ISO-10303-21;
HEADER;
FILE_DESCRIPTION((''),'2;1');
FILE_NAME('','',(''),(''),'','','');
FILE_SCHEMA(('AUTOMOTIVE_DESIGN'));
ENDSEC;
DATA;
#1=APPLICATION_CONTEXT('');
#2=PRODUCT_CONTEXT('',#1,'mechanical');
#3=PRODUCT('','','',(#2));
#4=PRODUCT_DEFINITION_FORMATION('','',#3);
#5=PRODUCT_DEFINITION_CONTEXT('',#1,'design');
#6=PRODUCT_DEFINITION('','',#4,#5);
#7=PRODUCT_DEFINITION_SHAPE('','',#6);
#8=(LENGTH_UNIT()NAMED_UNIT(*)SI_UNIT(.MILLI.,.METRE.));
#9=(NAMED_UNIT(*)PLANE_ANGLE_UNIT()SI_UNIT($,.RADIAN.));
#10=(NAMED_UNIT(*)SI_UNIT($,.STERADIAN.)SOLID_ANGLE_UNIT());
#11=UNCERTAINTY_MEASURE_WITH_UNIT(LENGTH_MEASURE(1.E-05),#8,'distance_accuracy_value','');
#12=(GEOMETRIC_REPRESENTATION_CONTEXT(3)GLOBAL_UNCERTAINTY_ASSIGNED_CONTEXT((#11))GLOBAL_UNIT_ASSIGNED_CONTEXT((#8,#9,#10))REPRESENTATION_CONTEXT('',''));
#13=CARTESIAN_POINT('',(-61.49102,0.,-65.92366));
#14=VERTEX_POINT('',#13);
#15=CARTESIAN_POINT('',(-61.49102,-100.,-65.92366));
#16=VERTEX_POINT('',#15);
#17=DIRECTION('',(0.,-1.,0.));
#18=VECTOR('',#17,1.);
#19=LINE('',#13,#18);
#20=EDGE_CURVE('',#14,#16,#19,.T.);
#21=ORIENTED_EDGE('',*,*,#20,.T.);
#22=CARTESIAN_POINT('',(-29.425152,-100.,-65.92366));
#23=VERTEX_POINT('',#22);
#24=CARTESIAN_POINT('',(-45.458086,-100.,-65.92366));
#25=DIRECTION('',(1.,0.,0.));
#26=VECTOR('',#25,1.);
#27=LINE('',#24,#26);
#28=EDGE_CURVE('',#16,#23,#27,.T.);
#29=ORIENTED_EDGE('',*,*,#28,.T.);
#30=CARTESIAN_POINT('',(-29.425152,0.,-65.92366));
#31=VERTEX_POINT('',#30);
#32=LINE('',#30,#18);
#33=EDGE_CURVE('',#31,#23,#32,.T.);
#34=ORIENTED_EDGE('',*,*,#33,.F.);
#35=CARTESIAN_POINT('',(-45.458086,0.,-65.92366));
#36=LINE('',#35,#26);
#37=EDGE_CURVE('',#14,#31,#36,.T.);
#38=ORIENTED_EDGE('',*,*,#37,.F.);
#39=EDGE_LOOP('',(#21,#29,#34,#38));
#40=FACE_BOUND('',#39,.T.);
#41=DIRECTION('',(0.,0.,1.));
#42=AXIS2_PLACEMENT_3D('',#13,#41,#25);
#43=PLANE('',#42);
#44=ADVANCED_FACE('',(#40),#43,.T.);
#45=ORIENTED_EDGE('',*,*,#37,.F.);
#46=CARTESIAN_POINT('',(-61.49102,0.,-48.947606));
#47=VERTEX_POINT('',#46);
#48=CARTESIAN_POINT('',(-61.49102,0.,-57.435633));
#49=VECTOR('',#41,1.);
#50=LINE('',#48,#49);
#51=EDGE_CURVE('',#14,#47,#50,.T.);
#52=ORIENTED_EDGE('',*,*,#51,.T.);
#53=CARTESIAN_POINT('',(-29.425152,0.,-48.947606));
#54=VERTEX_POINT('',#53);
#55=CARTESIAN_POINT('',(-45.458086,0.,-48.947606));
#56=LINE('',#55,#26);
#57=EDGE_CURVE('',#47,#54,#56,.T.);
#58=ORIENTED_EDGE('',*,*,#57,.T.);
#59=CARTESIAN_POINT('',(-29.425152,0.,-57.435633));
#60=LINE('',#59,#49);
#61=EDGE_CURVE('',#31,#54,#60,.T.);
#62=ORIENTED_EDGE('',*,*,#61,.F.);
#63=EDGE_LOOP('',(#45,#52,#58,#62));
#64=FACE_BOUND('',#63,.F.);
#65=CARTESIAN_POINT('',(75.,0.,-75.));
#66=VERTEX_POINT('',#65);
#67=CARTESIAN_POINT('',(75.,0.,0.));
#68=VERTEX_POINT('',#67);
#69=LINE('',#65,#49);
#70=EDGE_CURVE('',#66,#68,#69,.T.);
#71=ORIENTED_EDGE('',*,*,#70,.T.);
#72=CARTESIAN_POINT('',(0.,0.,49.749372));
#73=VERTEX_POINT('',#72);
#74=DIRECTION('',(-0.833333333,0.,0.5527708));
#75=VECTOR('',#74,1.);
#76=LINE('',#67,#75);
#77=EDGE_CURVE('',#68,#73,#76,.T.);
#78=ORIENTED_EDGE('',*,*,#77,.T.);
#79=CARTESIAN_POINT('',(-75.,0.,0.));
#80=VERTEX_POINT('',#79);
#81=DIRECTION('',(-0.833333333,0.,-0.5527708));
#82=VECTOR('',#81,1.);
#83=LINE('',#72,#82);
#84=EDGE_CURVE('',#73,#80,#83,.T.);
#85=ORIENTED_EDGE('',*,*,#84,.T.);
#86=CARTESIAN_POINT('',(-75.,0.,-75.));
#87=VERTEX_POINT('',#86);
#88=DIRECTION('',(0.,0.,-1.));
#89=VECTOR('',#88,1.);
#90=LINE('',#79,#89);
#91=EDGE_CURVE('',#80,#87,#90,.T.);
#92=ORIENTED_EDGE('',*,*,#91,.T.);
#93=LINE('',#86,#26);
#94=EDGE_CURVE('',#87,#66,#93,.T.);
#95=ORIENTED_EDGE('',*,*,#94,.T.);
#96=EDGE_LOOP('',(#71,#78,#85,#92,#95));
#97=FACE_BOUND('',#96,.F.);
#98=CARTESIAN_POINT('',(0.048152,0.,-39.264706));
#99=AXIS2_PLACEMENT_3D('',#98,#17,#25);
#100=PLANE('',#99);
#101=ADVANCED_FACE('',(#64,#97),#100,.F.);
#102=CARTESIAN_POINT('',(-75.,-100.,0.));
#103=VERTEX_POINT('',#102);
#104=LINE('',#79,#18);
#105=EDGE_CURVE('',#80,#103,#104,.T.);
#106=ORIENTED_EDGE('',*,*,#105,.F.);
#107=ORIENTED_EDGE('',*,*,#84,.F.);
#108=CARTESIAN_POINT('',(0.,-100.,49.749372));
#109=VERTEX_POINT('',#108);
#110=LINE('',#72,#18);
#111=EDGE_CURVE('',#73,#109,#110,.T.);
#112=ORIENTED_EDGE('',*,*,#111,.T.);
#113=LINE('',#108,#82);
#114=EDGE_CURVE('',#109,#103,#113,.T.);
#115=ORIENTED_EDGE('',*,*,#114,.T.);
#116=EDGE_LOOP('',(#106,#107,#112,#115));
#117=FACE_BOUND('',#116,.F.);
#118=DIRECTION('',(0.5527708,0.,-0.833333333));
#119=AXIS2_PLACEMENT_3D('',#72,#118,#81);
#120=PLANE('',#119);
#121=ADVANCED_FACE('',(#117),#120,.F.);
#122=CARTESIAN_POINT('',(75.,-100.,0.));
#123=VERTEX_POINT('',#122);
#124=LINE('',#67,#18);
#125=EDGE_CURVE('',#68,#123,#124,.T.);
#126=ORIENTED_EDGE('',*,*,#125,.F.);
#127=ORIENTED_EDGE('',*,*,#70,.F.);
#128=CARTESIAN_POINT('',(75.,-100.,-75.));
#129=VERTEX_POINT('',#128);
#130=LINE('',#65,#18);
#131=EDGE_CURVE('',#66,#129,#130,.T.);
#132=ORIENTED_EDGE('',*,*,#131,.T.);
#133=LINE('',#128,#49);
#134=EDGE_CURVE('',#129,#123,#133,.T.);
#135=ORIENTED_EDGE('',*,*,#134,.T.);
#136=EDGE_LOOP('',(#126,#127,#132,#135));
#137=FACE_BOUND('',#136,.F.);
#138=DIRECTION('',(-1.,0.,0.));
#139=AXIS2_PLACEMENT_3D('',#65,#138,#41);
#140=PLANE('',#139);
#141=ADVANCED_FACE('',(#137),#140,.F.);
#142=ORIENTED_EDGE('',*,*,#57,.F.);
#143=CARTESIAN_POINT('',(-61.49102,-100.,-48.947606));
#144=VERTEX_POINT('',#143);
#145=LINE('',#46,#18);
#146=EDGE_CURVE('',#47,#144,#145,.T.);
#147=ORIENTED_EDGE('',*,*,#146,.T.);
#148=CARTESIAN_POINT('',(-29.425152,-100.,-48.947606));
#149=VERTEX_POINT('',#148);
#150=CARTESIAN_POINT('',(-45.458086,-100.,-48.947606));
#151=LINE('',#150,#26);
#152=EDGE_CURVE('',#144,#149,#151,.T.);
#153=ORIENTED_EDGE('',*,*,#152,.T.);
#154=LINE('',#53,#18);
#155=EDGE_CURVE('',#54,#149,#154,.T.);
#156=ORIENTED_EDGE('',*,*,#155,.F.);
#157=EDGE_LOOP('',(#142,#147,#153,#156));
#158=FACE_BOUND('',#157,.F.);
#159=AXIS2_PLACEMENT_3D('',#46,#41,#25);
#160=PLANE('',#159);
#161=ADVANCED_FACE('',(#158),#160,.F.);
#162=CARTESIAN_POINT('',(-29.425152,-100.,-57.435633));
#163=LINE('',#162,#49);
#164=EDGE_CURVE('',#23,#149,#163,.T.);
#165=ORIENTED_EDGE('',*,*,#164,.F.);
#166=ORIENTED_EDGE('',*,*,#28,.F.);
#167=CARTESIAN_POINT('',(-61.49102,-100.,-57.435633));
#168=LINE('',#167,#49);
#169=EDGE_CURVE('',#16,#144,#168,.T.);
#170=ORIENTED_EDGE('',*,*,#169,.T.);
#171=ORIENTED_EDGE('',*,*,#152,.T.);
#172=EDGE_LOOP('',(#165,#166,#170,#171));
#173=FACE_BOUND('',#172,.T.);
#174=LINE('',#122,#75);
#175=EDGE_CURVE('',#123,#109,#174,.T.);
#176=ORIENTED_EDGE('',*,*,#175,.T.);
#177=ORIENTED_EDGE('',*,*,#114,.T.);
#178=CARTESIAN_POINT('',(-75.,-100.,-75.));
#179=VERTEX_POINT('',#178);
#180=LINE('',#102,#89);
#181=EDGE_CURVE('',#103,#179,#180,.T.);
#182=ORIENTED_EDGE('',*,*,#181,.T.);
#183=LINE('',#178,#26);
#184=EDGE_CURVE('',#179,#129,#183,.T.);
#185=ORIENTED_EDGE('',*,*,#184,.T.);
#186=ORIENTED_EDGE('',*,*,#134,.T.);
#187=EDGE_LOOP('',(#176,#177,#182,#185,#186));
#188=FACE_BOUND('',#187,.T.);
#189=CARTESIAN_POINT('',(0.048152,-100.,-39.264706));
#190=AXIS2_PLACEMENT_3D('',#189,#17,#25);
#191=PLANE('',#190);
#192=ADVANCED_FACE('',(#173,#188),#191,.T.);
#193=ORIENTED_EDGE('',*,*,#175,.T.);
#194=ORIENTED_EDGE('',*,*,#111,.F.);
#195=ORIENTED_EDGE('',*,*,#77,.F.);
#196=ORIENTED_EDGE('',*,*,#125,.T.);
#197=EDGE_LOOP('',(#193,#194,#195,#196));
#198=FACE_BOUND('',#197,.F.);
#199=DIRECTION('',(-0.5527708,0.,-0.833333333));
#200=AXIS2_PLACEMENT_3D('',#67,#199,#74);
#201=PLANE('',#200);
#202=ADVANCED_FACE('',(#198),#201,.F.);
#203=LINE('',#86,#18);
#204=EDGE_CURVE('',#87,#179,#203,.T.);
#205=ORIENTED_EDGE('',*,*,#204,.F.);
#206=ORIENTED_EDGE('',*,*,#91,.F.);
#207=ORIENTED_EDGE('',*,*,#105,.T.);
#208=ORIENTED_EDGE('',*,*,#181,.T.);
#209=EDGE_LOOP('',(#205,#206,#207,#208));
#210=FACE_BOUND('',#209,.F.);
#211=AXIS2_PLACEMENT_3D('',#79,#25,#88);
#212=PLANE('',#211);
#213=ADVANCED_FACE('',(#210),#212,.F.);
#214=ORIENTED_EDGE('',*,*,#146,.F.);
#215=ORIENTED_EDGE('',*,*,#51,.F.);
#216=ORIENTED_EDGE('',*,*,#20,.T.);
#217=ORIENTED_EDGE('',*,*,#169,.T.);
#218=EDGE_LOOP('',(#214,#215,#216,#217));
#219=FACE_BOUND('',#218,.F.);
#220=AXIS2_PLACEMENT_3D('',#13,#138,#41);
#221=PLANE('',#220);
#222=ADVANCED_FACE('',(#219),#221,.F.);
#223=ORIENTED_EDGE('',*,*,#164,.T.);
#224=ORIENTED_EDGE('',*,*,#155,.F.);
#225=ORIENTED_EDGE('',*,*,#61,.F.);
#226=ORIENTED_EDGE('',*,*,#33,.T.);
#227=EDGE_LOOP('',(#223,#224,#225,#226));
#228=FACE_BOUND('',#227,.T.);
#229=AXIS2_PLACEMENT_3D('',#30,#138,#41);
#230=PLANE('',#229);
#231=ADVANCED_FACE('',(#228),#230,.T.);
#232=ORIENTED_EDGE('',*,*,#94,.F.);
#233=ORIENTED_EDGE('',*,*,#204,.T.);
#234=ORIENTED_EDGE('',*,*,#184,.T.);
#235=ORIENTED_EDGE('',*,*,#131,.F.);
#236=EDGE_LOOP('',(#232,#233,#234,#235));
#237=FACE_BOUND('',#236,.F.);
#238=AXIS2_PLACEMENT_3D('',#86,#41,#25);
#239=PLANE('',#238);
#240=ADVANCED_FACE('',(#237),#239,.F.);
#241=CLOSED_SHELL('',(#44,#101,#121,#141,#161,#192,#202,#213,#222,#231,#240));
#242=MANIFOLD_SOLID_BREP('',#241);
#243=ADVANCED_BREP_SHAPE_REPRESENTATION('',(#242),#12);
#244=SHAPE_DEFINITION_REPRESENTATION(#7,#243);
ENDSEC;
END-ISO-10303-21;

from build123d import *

# Parameters (mm, degrees)
F0_W     = 32.065868
F0_H     = 16.976055
F0_W_2   = 15
F0_H_2   = 30
F1_DEPTH = 100


with BuildPart() as f1:
    # F0 (on Front) → F1 (new body)
    with BuildSketch(Plane.XZ):
        Polygon((-75, 0), (-75, -75), (-7.090706, -75), (-7.090706, -45), (7.909294, -45), (7.909294, -75), (75, -75), (75, 0), align=None)
        with Locations((-45.458086, -57.435633)):
            Rectangle(F0_W, F0_H, mode=Mode.SUBTRACT)
        Polygon((0, 49.749372), (-75, 0), (75, 0), align=None)
        with Locations((0.409294, -60)):
            Rectangle(F0_W_2, F0_H_2)
    extrude(amount=F1_DEPTH)


solid = f1.part
